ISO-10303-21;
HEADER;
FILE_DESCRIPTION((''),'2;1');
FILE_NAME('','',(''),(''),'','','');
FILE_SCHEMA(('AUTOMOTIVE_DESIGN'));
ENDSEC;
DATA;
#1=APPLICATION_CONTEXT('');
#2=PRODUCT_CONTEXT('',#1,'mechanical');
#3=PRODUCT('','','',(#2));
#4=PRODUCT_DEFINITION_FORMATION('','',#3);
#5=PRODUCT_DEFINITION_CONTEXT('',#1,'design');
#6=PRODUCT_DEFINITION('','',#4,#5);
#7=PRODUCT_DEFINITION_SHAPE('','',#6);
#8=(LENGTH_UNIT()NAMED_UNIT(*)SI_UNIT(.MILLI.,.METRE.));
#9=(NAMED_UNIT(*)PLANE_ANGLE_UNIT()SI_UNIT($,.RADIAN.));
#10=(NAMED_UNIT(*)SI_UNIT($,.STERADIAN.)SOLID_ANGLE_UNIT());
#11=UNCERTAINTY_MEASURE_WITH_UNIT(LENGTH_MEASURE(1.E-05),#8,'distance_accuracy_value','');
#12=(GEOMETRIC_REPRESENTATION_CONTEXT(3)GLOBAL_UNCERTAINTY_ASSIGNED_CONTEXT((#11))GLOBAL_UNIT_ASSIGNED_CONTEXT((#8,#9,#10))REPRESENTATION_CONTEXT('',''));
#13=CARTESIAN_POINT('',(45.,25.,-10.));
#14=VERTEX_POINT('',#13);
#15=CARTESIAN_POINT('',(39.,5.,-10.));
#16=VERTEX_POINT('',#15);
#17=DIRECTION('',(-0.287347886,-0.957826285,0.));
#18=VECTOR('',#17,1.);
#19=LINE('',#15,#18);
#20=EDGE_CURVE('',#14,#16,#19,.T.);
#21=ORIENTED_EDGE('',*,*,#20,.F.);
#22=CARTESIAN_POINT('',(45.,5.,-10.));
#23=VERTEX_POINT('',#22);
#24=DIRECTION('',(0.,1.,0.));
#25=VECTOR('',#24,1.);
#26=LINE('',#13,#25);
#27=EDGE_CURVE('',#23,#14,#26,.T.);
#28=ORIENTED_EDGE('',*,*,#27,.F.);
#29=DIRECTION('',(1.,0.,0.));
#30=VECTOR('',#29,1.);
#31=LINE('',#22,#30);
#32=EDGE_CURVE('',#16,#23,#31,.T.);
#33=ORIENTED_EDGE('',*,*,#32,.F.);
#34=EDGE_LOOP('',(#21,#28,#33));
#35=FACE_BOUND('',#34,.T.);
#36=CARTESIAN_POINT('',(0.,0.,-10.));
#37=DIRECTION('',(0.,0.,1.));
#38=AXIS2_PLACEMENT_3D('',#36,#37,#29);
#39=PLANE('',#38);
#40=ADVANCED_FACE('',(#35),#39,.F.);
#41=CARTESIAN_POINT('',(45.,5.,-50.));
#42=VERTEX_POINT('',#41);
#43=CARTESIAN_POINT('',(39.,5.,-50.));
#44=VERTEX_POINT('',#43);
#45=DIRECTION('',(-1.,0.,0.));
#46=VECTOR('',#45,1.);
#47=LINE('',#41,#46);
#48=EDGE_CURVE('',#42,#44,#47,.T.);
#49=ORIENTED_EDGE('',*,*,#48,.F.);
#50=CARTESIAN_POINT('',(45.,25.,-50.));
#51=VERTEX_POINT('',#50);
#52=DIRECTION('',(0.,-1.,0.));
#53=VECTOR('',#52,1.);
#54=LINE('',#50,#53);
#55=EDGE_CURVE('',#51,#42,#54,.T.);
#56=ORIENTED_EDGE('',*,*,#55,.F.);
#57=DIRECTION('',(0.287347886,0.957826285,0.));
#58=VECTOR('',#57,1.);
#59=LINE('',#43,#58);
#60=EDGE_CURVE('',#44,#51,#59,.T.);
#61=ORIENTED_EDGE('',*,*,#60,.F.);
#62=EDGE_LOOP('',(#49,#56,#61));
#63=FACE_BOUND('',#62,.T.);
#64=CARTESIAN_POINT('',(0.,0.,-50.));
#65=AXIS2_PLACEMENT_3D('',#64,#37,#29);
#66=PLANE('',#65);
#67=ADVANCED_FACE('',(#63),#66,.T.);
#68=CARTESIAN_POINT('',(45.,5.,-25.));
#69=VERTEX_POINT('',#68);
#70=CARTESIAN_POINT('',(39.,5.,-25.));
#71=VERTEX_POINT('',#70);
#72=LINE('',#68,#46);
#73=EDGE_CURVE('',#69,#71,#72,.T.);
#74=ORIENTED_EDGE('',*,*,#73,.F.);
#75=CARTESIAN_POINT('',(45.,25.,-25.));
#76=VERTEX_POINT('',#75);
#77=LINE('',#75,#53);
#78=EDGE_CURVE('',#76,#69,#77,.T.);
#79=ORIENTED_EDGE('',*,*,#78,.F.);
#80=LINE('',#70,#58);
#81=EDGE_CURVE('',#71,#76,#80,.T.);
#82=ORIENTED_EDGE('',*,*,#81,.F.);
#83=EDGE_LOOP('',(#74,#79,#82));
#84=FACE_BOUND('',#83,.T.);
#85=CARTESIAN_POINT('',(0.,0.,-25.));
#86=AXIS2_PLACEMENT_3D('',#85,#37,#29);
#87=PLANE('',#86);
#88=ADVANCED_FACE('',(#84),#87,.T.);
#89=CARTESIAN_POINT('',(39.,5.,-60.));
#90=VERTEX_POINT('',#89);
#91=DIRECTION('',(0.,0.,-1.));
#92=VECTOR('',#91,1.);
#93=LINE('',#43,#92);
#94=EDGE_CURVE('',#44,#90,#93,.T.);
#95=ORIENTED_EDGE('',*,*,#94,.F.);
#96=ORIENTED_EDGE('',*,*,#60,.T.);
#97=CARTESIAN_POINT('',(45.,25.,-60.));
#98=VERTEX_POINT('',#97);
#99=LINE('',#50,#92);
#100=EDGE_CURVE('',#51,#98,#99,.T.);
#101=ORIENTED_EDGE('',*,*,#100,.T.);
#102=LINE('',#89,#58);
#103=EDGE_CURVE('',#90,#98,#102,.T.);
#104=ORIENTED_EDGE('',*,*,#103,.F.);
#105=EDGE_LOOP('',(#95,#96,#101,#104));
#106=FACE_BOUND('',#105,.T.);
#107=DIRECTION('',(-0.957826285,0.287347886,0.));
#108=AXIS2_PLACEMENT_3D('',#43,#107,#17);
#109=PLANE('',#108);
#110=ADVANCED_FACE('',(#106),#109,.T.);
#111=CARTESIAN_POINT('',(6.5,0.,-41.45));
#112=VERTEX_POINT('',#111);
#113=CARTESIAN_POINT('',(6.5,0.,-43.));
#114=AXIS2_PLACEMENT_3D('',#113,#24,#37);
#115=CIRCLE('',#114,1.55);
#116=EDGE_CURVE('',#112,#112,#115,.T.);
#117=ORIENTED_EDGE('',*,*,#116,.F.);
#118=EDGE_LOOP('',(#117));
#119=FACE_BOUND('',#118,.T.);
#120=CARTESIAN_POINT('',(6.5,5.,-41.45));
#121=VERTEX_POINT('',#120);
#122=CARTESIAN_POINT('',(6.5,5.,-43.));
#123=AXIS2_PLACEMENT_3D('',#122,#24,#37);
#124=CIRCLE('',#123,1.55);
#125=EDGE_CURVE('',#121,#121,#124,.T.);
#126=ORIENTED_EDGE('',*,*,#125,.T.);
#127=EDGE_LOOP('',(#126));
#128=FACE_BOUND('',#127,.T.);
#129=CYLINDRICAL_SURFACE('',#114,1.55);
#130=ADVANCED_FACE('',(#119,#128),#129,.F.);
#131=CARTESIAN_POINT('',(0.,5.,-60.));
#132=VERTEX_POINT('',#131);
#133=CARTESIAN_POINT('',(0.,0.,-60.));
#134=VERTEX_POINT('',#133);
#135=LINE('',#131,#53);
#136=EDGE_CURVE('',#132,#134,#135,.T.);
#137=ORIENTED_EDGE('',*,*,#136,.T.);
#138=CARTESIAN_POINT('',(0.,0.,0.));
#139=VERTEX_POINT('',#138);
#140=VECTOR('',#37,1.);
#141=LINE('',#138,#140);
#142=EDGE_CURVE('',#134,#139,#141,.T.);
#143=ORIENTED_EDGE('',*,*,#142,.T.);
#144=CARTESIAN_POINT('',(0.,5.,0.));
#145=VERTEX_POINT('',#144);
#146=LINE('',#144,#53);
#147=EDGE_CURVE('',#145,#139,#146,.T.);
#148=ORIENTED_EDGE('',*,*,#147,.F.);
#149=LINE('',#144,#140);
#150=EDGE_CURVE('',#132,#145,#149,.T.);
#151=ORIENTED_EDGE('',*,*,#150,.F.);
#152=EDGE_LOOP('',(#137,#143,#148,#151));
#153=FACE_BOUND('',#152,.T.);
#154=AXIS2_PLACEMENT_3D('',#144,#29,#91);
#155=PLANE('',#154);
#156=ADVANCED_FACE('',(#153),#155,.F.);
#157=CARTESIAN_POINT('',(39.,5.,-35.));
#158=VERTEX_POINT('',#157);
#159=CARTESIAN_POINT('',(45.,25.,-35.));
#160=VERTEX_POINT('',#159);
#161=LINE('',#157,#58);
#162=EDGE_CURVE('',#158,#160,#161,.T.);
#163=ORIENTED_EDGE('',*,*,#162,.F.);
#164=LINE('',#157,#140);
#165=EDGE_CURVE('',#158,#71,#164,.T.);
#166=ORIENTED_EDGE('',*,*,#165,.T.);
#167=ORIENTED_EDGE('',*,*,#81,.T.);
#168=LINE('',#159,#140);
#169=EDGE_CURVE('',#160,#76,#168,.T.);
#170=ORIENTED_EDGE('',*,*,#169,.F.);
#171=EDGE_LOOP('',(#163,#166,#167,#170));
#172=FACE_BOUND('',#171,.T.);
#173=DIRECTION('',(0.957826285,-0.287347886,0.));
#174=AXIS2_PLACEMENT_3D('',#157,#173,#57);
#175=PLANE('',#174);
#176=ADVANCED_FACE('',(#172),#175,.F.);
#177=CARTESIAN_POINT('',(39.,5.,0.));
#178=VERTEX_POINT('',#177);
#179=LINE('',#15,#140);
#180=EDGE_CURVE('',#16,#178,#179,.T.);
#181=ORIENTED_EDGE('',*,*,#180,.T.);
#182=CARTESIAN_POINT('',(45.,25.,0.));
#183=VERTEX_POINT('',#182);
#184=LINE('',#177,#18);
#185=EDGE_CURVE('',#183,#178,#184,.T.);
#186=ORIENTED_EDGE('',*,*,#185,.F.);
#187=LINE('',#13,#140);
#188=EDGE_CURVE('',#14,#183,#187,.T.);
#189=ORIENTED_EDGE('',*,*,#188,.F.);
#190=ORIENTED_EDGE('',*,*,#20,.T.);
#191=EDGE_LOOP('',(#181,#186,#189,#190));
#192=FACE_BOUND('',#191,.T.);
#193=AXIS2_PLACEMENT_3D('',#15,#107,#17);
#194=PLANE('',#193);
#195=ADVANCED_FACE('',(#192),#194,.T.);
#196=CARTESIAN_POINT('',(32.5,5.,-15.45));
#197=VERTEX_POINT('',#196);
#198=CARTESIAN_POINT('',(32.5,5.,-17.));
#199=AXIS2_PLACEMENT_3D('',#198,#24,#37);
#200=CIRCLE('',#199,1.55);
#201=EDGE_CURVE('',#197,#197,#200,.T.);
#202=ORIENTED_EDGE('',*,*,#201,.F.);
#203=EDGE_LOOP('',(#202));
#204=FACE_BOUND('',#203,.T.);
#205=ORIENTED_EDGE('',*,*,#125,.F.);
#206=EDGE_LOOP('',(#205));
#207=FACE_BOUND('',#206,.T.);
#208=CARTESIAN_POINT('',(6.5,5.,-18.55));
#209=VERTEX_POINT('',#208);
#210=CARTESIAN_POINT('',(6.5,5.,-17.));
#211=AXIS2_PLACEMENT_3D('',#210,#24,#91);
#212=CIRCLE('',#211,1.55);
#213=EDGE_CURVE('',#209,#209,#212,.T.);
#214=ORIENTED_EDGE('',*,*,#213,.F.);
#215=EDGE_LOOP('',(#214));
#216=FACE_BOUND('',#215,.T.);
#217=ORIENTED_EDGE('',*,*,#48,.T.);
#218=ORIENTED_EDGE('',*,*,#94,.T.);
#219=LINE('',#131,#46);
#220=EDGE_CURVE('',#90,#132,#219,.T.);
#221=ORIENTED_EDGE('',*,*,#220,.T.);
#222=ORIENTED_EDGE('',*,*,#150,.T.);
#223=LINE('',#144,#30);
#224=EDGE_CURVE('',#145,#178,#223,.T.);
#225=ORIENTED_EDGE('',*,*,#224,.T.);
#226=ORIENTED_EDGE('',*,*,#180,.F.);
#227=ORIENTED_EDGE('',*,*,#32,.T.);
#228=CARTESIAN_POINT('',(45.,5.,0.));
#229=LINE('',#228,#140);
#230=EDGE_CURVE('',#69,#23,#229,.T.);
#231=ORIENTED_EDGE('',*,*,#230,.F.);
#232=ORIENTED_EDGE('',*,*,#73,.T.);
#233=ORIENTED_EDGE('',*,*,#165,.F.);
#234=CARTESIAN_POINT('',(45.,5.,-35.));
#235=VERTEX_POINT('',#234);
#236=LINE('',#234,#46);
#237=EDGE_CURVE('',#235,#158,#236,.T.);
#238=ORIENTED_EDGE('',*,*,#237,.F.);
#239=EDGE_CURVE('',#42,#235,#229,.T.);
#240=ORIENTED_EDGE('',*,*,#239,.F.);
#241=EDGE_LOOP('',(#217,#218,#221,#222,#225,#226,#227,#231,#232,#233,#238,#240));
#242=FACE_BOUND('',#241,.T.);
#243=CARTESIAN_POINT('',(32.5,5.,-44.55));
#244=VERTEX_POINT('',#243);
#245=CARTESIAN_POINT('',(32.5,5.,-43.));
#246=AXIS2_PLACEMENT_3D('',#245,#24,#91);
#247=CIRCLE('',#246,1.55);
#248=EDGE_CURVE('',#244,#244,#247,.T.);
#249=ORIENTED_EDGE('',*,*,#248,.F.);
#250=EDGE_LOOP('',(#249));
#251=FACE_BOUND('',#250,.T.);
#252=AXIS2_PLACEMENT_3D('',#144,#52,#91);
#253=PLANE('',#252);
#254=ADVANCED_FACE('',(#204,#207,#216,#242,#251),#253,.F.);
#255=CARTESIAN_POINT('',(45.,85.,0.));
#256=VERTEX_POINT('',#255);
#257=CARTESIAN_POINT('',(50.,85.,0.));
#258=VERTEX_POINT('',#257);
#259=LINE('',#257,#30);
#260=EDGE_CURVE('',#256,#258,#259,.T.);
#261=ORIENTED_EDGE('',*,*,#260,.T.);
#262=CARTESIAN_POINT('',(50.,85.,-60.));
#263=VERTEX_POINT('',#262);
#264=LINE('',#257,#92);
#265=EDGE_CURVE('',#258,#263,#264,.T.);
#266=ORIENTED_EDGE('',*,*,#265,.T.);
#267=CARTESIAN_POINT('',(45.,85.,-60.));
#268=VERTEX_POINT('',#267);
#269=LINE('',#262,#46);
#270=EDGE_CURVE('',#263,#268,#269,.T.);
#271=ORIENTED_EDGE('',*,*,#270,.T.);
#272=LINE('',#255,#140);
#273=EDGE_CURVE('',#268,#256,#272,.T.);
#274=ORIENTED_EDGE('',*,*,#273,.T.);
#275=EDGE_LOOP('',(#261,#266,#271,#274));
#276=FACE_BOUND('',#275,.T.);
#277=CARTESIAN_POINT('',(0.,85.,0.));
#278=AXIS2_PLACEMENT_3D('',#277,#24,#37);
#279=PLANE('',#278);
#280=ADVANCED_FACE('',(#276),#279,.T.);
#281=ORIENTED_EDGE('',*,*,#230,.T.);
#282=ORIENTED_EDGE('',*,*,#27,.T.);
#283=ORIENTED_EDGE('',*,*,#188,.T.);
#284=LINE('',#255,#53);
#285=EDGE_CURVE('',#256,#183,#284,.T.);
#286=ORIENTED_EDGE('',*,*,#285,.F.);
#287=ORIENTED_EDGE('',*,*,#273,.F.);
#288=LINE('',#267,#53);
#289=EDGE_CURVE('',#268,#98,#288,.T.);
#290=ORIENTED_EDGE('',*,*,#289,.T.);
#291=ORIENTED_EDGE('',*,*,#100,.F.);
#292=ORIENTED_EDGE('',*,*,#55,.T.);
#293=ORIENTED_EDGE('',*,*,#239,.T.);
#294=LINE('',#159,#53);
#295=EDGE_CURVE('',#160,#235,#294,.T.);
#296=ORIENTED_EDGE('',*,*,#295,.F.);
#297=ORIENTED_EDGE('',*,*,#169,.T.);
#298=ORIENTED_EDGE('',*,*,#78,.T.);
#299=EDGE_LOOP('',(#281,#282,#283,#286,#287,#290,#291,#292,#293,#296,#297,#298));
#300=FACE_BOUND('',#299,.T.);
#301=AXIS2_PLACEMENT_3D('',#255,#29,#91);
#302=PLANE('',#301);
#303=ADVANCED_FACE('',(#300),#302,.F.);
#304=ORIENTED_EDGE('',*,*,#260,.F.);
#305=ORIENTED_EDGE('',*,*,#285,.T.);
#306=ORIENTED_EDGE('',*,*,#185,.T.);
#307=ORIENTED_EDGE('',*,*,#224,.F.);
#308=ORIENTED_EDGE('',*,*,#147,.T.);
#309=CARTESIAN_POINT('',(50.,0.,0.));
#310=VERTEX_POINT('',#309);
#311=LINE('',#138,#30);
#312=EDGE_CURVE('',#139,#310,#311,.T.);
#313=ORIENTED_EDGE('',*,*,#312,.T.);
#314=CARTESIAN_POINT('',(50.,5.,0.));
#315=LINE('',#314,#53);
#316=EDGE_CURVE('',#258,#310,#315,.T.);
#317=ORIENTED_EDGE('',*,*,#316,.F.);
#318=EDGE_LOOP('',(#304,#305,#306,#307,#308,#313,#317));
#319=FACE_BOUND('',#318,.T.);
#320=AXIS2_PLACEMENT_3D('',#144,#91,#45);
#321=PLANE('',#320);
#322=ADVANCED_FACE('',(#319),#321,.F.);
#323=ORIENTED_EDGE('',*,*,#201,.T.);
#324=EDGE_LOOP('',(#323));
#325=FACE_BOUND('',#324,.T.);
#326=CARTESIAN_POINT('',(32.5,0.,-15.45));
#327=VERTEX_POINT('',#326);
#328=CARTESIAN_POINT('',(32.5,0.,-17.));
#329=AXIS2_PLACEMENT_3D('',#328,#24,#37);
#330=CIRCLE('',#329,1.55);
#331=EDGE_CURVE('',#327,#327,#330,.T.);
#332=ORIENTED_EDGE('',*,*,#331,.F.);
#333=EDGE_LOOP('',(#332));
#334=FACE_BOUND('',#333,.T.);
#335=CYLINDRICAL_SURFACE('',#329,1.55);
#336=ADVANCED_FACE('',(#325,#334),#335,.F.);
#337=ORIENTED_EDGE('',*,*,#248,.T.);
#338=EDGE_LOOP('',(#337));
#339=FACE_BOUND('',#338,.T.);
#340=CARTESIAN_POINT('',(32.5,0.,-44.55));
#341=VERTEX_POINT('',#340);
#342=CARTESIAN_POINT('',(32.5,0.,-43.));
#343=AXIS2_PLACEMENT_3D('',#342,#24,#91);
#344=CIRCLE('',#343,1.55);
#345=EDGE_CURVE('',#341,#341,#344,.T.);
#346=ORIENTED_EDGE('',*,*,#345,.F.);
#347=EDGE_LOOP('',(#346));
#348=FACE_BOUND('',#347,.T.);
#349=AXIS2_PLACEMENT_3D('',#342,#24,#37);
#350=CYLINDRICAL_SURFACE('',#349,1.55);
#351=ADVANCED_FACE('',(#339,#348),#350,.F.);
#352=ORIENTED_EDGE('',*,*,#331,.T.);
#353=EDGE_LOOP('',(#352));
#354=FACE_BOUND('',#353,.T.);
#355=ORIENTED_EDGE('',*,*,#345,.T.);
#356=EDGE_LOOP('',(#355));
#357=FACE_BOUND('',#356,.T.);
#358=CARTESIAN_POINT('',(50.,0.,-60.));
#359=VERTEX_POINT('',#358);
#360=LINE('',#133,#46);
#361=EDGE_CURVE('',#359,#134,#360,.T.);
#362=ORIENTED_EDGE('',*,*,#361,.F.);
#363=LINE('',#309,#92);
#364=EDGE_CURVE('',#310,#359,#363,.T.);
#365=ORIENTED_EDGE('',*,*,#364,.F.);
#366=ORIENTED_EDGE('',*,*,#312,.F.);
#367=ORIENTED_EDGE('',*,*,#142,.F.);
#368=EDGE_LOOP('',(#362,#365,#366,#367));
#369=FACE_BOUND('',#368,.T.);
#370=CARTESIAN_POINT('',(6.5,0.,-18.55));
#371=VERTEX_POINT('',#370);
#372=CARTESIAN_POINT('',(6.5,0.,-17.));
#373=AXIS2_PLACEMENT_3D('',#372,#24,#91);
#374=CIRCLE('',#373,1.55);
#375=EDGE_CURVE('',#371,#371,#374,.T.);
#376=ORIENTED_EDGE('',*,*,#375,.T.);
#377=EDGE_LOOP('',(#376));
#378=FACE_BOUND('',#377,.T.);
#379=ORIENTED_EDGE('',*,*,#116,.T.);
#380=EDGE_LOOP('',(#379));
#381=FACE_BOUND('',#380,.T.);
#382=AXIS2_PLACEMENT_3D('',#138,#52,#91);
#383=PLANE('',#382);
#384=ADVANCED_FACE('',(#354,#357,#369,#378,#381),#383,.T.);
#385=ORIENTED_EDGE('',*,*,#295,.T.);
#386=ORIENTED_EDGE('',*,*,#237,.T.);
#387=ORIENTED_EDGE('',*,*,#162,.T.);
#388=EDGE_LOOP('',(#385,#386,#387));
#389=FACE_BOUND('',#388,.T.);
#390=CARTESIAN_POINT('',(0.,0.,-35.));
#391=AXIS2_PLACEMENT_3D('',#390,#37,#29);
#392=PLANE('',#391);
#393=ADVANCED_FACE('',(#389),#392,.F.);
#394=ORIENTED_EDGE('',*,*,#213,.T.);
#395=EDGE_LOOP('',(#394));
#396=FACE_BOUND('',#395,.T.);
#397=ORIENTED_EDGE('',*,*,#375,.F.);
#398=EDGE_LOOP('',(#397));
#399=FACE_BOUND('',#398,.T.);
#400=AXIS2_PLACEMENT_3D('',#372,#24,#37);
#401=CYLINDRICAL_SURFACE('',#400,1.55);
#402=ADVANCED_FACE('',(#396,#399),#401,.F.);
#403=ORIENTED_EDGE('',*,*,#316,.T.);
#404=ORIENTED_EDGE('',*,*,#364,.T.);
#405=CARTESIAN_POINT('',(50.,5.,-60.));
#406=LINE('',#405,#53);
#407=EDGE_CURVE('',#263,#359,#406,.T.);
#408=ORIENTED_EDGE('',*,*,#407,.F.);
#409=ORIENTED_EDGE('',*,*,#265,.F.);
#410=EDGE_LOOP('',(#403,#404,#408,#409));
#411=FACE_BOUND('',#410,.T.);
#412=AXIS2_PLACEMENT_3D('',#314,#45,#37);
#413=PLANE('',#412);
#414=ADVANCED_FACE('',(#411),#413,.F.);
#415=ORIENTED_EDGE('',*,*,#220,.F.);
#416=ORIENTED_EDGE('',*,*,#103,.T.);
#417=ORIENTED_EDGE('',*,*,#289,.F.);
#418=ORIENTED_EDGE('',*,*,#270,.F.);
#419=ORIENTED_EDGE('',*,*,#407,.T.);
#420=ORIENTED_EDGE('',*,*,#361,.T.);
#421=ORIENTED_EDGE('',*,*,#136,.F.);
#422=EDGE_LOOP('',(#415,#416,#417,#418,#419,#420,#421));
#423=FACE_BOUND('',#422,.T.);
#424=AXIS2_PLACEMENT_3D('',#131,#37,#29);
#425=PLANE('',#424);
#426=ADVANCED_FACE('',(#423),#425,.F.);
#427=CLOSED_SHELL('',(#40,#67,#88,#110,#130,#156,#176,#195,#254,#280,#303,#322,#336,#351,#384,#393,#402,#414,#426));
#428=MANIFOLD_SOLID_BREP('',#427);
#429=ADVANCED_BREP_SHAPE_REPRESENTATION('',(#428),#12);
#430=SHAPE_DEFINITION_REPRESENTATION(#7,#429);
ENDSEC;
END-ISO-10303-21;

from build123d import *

# Parameters (mm, degrees)
SKETCH_2_W          = 50
SKETCH_2_H          = 60
EXTRUDE_1_DEPTH     = 5
SKETCH_3_W          = 5
SKETCH_3_H          = 60
EXTRUDE_2_DEPTH     = 80
EXTRUDE_3_DEPTH     = 10
EXTRUDE_4_DEPTH     = 10
EXTRUDE_5_DEPTH     = 5
SKETCH_7_R          = 1.55
CUT_EXTRUDE_1_DEPTH = 112.803398875


with BuildPart() as part:
    # 草图2 → 凸台-拉伸1 (new body)
    with BuildSketch(Plane(origin=(0, 0, 0), x_dir=(1, 0, 0), z_dir=(0, 1, 0))):
        with Locations((25, 30)):
            Rectangle(SKETCH_2_W, SKETCH_2_H)
    extrude(amount=EXTRUDE_1_DEPTH)

    # 草图3 → 凸台-拉伸2 (add)
    with BuildSketch(Plane(origin=(0, 5, 0), x_dir=(1, 0, 0), z_dir=(0, 1, 0))):
        with Locations((47.5, 30)):
            Rectangle(SKETCH_3_W, SKETCH_3_H)
    extrude(amount=EXTRUDE_2_DEPTH)

    # 草图4 → 凸台-拉伸3 (add)
    with BuildSketch(Plane.XY):
        Polygon((39, 5), (45, 25), (45, 5), align=None)
    extrude(amount=-EXTRUDE_3_DEPTH)

    # 草图5 → 凸台-拉伸4 (add)
    with BuildSketch(Plane(origin=(0, 0, -60), x_dir=(-1, 0, 0), z_dir=(0, 0, -1))):
        Polygon((-39, 5), (-45, 25), (-45, 5), align=None)
    extrude(amount=-EXTRUDE_4_DEPTH)

    # 草图6 → 凸台-拉伸5 (add, symmetric)
    with BuildSketch(Plane(origin=(0, 0, -30), x_dir=(-1, 0, 0), z_dir=(0, 0, -1))):
        Polygon((-39, 5), (-45, 25), (-45, 5), align=None)
    extrude(amount=EXTRUDE_5_DEPTH, both=True)

    # 草图7 → 切除-拉伸1 (cut, through all)
    with BuildSketch(Plane(origin=(0, 5, 0), x_dir=(1, 0, 0), z_dir=(0, 1, 0))):
        with Locations(Location((6.5, 43, 0), (0, 0, 270))):
            Circle(SKETCH_7_R)
        with Locations(Location((32.5, 43, 0), (0, 0, 90))):
            Circle(SKETCH_7_R)
        with Locations(Location((6.5, 17, 0), (0, 0, 90))):
            Circle(SKETCH_7_R)
        with Locations(Location((32.5, 17, 0), (0, 0, 270))):
            Circle(SKETCH_7_R)
    extrude(amount=-CUT_EXTRUDE_1_DEPTH, mode=Mode.SUBTRACT)


solid = part.part
